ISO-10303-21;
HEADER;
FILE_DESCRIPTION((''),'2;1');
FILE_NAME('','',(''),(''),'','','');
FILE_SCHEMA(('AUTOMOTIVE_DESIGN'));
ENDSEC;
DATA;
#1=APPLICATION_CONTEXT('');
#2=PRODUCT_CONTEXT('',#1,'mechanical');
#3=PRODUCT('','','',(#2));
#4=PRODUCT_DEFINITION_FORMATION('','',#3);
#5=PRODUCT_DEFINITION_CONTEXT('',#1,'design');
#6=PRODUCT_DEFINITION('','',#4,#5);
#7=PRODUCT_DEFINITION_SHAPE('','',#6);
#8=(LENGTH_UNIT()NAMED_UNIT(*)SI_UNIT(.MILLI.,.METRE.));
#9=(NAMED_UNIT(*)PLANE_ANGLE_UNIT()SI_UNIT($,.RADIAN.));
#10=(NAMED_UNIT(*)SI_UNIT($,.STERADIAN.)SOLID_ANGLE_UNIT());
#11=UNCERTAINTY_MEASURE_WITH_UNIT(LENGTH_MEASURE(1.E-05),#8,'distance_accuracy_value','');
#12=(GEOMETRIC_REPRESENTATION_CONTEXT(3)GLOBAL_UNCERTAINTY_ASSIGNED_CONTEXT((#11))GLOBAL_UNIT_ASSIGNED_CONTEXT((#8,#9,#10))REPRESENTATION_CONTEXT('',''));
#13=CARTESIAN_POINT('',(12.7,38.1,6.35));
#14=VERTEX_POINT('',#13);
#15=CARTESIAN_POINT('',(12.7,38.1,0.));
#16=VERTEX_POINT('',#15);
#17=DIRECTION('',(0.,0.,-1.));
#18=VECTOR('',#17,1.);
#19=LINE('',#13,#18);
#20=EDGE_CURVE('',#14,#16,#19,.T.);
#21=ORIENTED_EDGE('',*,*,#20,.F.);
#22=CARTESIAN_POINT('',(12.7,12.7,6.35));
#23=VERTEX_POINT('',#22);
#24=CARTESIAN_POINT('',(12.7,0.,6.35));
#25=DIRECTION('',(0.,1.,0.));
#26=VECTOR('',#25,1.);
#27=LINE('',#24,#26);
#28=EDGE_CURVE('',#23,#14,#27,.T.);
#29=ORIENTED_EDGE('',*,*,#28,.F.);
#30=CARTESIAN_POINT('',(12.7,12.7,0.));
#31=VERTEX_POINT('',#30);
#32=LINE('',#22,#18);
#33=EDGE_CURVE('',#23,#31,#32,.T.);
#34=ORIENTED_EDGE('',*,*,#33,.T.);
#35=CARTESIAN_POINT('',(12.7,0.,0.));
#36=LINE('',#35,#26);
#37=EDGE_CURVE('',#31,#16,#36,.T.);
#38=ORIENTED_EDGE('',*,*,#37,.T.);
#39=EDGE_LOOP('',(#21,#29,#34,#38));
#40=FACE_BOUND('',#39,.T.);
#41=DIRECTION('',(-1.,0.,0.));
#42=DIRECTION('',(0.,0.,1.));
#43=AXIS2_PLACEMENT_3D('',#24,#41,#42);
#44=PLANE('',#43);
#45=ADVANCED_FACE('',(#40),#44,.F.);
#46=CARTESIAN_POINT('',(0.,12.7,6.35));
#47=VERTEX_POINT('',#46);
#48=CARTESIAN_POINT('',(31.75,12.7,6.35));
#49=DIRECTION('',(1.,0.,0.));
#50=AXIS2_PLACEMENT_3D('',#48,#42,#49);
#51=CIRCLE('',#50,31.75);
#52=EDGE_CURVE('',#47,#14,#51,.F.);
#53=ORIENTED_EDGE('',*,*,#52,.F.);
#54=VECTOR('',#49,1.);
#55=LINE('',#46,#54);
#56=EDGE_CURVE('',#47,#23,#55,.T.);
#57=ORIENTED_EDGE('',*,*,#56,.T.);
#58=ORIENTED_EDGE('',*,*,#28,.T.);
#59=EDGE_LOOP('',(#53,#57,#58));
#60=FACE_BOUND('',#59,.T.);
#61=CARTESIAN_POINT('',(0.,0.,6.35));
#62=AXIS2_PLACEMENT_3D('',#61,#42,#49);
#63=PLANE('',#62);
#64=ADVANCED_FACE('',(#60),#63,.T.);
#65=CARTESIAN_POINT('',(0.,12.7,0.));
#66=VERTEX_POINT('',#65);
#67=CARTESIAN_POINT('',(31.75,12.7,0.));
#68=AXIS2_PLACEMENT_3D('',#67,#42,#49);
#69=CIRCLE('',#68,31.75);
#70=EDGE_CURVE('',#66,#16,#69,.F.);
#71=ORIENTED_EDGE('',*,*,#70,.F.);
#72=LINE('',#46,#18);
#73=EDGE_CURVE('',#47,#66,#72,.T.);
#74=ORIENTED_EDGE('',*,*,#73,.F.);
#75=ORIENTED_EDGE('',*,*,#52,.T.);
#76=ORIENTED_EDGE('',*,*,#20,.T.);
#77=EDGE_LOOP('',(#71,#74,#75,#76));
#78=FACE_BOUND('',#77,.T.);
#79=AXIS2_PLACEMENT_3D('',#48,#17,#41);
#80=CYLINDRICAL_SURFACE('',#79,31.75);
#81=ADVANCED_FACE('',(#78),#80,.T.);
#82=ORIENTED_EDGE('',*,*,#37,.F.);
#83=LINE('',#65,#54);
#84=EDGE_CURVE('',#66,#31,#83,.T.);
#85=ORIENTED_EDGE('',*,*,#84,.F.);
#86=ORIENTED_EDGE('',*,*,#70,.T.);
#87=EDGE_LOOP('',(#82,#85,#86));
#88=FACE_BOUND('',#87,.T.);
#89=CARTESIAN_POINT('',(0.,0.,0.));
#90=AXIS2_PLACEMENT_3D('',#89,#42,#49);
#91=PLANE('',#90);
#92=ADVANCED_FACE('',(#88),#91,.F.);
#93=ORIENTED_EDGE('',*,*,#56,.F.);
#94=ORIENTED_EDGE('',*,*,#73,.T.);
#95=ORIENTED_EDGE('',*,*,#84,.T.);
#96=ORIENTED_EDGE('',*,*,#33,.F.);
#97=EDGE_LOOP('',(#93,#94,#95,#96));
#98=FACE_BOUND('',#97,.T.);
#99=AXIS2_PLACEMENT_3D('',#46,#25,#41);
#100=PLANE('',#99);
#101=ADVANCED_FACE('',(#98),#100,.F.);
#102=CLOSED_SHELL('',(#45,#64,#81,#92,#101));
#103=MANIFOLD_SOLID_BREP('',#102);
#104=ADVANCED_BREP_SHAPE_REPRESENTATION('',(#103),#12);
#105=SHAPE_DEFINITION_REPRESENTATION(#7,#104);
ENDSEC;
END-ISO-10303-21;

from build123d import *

# Parameters (mm, degrees)
BOSS_EXTRUDE1_DEPTH = 6.35


with BuildPart() as part:
    # Sketch1 → Boss-Extrude1 (new body)
    with BuildSketch(Plane.XY):
        with BuildLine():
            Line((0, 12.7), (6.35, 12.7))
            Line((6.35, 12.7), (12.7, 12.7))
            Line((12.7, 12.7), (12.7, 38.1))
            ThreePointArc((12.7, 38.1), (3.351936686, 26.899031657), (0, 12.7))
        make_face()
    extrude(amount=BOSS_EXTRUDE1_DEPTH)


solid = part.part
